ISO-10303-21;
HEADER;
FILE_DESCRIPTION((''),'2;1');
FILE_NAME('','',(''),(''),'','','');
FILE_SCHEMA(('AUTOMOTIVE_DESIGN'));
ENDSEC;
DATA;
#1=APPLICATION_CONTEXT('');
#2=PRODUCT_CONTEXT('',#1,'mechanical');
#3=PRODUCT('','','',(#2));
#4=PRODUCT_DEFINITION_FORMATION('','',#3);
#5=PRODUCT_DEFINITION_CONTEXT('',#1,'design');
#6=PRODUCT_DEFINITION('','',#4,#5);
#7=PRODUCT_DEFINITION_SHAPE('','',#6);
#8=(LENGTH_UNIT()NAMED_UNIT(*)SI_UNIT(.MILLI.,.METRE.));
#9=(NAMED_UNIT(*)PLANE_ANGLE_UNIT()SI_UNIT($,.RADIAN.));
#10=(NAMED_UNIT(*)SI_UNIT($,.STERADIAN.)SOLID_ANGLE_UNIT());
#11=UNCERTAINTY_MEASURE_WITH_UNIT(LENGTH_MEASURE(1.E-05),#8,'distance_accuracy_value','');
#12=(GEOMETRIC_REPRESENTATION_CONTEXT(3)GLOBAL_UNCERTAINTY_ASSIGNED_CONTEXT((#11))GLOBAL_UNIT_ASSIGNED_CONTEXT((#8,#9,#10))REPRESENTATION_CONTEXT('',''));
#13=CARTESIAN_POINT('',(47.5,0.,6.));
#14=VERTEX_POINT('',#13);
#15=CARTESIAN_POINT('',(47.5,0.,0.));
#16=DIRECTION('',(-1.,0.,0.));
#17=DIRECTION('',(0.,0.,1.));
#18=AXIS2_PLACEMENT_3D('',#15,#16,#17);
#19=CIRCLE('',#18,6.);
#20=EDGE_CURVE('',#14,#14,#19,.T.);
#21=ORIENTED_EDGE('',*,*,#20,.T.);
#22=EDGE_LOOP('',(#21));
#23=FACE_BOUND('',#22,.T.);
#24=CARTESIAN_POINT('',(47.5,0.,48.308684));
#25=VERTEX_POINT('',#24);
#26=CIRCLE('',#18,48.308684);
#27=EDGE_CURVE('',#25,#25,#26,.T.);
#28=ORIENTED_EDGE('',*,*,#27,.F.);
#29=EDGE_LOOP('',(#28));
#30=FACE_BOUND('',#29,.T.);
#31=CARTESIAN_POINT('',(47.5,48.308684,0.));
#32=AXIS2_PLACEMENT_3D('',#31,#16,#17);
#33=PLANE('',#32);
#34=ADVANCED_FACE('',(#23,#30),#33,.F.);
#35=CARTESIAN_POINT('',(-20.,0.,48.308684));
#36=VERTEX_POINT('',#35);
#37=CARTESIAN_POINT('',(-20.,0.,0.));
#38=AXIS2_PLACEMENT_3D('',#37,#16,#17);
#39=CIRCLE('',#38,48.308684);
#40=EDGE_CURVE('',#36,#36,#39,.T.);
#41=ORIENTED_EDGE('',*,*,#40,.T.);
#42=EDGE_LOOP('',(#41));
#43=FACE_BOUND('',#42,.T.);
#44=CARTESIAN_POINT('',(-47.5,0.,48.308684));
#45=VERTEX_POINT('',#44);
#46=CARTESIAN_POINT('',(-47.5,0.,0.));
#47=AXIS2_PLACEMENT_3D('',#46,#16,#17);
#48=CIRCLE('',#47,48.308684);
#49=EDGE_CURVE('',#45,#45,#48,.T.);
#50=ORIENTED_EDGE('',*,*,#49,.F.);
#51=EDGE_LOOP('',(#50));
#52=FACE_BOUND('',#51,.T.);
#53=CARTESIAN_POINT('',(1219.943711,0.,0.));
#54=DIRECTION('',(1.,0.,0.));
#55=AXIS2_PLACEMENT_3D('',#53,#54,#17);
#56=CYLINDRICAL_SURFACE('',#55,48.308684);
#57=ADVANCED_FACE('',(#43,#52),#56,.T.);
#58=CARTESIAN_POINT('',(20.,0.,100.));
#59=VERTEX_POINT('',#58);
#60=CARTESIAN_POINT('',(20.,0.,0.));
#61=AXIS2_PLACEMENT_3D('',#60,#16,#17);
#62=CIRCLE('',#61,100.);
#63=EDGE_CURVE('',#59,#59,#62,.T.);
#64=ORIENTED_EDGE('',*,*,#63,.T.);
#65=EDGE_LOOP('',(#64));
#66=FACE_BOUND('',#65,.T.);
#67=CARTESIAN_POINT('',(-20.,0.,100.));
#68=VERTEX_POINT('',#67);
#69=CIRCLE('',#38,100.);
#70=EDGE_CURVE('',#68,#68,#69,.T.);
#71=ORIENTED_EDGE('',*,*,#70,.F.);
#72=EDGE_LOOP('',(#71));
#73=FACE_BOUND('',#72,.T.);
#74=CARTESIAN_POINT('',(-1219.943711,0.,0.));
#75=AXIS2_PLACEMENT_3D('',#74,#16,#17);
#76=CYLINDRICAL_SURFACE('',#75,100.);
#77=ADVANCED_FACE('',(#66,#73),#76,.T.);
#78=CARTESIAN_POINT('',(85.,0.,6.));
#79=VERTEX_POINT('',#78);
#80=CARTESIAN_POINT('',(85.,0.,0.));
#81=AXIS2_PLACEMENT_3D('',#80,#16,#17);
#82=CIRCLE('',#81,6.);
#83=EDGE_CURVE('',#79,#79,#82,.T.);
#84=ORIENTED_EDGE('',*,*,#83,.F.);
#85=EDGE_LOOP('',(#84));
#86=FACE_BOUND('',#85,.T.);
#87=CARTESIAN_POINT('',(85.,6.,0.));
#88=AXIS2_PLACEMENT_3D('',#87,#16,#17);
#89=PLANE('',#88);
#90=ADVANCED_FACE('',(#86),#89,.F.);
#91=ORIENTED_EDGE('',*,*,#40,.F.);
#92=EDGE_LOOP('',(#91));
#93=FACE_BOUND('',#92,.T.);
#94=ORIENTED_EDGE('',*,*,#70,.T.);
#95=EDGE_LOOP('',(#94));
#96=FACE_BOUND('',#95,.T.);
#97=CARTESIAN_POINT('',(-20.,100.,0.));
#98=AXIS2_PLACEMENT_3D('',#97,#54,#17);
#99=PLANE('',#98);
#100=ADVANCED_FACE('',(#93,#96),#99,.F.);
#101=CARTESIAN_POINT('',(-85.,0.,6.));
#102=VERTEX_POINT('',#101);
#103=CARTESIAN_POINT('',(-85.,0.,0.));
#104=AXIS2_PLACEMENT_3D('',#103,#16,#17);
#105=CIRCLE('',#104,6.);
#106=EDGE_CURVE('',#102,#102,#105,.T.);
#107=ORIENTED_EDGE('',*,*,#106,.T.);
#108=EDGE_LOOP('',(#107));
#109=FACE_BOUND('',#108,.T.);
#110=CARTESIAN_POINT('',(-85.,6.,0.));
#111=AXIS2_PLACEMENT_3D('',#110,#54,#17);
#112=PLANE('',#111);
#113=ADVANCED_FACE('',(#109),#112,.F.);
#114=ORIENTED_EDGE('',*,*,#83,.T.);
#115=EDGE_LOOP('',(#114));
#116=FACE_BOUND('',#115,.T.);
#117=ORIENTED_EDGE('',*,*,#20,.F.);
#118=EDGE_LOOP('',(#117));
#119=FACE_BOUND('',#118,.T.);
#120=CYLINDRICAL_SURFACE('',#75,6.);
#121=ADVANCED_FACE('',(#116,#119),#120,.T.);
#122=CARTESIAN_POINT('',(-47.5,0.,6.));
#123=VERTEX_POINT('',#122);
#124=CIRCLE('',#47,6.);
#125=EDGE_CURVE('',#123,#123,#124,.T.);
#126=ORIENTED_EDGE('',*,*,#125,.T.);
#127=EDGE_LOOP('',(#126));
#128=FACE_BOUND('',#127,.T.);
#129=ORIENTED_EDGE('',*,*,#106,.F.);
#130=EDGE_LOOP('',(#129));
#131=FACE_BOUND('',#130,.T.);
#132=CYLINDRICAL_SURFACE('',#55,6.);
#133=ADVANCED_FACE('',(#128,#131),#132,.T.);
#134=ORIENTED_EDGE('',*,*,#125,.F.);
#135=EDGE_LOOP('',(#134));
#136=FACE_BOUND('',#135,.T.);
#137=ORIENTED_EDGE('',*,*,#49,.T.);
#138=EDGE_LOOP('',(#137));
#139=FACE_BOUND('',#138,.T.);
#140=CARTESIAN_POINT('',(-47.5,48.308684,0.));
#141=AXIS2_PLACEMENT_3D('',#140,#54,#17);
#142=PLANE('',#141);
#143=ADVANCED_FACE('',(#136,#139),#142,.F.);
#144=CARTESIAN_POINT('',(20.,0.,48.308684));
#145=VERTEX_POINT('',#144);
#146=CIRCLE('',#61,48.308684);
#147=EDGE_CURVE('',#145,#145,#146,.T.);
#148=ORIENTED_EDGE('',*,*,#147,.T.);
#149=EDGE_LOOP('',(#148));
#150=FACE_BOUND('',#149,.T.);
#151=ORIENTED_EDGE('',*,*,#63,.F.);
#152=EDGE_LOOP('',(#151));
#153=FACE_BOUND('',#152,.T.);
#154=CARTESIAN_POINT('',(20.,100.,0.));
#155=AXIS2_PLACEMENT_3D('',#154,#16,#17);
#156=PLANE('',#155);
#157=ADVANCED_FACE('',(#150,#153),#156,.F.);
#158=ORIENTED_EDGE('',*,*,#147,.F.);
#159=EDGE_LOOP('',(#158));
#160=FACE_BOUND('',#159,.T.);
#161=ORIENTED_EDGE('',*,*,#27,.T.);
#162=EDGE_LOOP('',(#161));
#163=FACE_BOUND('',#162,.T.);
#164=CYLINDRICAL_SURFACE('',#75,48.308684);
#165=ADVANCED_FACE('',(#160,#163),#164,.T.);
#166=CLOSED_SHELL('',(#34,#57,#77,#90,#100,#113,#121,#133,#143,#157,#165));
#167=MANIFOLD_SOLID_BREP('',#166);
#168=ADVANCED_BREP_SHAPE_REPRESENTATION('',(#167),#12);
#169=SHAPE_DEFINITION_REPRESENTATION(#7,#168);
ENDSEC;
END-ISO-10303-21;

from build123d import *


with BuildPart() as part:
    # 草图1 → 旋转1 (revolve)
    with BuildSketch(Plane.XY, mode=Mode.PRIVATE) as revolve_1_sk:
        Polygon((0, 0), (0, 100), (20, 100), (20, 48.308684326), (47.5, 48.308684326), (47.5, 6), (85, 6), (85, 0), align=None)
    revolve_1 = revolve(revolve_1_sk.sketch.rotate(Axis((-1219.943710548, 0, 0), (1, 0, 0)), 90), axis=Axis((-1219.943710548, 0, 0), (1, 0, 0)))

    # 镜向1: 旋转1 across plane
    add(revolve_1.mirror(Plane(origin=(0, 0, 0), x_dir=(0, 0, 1), z_dir=(1, 0, 0))))


solid = part.part
